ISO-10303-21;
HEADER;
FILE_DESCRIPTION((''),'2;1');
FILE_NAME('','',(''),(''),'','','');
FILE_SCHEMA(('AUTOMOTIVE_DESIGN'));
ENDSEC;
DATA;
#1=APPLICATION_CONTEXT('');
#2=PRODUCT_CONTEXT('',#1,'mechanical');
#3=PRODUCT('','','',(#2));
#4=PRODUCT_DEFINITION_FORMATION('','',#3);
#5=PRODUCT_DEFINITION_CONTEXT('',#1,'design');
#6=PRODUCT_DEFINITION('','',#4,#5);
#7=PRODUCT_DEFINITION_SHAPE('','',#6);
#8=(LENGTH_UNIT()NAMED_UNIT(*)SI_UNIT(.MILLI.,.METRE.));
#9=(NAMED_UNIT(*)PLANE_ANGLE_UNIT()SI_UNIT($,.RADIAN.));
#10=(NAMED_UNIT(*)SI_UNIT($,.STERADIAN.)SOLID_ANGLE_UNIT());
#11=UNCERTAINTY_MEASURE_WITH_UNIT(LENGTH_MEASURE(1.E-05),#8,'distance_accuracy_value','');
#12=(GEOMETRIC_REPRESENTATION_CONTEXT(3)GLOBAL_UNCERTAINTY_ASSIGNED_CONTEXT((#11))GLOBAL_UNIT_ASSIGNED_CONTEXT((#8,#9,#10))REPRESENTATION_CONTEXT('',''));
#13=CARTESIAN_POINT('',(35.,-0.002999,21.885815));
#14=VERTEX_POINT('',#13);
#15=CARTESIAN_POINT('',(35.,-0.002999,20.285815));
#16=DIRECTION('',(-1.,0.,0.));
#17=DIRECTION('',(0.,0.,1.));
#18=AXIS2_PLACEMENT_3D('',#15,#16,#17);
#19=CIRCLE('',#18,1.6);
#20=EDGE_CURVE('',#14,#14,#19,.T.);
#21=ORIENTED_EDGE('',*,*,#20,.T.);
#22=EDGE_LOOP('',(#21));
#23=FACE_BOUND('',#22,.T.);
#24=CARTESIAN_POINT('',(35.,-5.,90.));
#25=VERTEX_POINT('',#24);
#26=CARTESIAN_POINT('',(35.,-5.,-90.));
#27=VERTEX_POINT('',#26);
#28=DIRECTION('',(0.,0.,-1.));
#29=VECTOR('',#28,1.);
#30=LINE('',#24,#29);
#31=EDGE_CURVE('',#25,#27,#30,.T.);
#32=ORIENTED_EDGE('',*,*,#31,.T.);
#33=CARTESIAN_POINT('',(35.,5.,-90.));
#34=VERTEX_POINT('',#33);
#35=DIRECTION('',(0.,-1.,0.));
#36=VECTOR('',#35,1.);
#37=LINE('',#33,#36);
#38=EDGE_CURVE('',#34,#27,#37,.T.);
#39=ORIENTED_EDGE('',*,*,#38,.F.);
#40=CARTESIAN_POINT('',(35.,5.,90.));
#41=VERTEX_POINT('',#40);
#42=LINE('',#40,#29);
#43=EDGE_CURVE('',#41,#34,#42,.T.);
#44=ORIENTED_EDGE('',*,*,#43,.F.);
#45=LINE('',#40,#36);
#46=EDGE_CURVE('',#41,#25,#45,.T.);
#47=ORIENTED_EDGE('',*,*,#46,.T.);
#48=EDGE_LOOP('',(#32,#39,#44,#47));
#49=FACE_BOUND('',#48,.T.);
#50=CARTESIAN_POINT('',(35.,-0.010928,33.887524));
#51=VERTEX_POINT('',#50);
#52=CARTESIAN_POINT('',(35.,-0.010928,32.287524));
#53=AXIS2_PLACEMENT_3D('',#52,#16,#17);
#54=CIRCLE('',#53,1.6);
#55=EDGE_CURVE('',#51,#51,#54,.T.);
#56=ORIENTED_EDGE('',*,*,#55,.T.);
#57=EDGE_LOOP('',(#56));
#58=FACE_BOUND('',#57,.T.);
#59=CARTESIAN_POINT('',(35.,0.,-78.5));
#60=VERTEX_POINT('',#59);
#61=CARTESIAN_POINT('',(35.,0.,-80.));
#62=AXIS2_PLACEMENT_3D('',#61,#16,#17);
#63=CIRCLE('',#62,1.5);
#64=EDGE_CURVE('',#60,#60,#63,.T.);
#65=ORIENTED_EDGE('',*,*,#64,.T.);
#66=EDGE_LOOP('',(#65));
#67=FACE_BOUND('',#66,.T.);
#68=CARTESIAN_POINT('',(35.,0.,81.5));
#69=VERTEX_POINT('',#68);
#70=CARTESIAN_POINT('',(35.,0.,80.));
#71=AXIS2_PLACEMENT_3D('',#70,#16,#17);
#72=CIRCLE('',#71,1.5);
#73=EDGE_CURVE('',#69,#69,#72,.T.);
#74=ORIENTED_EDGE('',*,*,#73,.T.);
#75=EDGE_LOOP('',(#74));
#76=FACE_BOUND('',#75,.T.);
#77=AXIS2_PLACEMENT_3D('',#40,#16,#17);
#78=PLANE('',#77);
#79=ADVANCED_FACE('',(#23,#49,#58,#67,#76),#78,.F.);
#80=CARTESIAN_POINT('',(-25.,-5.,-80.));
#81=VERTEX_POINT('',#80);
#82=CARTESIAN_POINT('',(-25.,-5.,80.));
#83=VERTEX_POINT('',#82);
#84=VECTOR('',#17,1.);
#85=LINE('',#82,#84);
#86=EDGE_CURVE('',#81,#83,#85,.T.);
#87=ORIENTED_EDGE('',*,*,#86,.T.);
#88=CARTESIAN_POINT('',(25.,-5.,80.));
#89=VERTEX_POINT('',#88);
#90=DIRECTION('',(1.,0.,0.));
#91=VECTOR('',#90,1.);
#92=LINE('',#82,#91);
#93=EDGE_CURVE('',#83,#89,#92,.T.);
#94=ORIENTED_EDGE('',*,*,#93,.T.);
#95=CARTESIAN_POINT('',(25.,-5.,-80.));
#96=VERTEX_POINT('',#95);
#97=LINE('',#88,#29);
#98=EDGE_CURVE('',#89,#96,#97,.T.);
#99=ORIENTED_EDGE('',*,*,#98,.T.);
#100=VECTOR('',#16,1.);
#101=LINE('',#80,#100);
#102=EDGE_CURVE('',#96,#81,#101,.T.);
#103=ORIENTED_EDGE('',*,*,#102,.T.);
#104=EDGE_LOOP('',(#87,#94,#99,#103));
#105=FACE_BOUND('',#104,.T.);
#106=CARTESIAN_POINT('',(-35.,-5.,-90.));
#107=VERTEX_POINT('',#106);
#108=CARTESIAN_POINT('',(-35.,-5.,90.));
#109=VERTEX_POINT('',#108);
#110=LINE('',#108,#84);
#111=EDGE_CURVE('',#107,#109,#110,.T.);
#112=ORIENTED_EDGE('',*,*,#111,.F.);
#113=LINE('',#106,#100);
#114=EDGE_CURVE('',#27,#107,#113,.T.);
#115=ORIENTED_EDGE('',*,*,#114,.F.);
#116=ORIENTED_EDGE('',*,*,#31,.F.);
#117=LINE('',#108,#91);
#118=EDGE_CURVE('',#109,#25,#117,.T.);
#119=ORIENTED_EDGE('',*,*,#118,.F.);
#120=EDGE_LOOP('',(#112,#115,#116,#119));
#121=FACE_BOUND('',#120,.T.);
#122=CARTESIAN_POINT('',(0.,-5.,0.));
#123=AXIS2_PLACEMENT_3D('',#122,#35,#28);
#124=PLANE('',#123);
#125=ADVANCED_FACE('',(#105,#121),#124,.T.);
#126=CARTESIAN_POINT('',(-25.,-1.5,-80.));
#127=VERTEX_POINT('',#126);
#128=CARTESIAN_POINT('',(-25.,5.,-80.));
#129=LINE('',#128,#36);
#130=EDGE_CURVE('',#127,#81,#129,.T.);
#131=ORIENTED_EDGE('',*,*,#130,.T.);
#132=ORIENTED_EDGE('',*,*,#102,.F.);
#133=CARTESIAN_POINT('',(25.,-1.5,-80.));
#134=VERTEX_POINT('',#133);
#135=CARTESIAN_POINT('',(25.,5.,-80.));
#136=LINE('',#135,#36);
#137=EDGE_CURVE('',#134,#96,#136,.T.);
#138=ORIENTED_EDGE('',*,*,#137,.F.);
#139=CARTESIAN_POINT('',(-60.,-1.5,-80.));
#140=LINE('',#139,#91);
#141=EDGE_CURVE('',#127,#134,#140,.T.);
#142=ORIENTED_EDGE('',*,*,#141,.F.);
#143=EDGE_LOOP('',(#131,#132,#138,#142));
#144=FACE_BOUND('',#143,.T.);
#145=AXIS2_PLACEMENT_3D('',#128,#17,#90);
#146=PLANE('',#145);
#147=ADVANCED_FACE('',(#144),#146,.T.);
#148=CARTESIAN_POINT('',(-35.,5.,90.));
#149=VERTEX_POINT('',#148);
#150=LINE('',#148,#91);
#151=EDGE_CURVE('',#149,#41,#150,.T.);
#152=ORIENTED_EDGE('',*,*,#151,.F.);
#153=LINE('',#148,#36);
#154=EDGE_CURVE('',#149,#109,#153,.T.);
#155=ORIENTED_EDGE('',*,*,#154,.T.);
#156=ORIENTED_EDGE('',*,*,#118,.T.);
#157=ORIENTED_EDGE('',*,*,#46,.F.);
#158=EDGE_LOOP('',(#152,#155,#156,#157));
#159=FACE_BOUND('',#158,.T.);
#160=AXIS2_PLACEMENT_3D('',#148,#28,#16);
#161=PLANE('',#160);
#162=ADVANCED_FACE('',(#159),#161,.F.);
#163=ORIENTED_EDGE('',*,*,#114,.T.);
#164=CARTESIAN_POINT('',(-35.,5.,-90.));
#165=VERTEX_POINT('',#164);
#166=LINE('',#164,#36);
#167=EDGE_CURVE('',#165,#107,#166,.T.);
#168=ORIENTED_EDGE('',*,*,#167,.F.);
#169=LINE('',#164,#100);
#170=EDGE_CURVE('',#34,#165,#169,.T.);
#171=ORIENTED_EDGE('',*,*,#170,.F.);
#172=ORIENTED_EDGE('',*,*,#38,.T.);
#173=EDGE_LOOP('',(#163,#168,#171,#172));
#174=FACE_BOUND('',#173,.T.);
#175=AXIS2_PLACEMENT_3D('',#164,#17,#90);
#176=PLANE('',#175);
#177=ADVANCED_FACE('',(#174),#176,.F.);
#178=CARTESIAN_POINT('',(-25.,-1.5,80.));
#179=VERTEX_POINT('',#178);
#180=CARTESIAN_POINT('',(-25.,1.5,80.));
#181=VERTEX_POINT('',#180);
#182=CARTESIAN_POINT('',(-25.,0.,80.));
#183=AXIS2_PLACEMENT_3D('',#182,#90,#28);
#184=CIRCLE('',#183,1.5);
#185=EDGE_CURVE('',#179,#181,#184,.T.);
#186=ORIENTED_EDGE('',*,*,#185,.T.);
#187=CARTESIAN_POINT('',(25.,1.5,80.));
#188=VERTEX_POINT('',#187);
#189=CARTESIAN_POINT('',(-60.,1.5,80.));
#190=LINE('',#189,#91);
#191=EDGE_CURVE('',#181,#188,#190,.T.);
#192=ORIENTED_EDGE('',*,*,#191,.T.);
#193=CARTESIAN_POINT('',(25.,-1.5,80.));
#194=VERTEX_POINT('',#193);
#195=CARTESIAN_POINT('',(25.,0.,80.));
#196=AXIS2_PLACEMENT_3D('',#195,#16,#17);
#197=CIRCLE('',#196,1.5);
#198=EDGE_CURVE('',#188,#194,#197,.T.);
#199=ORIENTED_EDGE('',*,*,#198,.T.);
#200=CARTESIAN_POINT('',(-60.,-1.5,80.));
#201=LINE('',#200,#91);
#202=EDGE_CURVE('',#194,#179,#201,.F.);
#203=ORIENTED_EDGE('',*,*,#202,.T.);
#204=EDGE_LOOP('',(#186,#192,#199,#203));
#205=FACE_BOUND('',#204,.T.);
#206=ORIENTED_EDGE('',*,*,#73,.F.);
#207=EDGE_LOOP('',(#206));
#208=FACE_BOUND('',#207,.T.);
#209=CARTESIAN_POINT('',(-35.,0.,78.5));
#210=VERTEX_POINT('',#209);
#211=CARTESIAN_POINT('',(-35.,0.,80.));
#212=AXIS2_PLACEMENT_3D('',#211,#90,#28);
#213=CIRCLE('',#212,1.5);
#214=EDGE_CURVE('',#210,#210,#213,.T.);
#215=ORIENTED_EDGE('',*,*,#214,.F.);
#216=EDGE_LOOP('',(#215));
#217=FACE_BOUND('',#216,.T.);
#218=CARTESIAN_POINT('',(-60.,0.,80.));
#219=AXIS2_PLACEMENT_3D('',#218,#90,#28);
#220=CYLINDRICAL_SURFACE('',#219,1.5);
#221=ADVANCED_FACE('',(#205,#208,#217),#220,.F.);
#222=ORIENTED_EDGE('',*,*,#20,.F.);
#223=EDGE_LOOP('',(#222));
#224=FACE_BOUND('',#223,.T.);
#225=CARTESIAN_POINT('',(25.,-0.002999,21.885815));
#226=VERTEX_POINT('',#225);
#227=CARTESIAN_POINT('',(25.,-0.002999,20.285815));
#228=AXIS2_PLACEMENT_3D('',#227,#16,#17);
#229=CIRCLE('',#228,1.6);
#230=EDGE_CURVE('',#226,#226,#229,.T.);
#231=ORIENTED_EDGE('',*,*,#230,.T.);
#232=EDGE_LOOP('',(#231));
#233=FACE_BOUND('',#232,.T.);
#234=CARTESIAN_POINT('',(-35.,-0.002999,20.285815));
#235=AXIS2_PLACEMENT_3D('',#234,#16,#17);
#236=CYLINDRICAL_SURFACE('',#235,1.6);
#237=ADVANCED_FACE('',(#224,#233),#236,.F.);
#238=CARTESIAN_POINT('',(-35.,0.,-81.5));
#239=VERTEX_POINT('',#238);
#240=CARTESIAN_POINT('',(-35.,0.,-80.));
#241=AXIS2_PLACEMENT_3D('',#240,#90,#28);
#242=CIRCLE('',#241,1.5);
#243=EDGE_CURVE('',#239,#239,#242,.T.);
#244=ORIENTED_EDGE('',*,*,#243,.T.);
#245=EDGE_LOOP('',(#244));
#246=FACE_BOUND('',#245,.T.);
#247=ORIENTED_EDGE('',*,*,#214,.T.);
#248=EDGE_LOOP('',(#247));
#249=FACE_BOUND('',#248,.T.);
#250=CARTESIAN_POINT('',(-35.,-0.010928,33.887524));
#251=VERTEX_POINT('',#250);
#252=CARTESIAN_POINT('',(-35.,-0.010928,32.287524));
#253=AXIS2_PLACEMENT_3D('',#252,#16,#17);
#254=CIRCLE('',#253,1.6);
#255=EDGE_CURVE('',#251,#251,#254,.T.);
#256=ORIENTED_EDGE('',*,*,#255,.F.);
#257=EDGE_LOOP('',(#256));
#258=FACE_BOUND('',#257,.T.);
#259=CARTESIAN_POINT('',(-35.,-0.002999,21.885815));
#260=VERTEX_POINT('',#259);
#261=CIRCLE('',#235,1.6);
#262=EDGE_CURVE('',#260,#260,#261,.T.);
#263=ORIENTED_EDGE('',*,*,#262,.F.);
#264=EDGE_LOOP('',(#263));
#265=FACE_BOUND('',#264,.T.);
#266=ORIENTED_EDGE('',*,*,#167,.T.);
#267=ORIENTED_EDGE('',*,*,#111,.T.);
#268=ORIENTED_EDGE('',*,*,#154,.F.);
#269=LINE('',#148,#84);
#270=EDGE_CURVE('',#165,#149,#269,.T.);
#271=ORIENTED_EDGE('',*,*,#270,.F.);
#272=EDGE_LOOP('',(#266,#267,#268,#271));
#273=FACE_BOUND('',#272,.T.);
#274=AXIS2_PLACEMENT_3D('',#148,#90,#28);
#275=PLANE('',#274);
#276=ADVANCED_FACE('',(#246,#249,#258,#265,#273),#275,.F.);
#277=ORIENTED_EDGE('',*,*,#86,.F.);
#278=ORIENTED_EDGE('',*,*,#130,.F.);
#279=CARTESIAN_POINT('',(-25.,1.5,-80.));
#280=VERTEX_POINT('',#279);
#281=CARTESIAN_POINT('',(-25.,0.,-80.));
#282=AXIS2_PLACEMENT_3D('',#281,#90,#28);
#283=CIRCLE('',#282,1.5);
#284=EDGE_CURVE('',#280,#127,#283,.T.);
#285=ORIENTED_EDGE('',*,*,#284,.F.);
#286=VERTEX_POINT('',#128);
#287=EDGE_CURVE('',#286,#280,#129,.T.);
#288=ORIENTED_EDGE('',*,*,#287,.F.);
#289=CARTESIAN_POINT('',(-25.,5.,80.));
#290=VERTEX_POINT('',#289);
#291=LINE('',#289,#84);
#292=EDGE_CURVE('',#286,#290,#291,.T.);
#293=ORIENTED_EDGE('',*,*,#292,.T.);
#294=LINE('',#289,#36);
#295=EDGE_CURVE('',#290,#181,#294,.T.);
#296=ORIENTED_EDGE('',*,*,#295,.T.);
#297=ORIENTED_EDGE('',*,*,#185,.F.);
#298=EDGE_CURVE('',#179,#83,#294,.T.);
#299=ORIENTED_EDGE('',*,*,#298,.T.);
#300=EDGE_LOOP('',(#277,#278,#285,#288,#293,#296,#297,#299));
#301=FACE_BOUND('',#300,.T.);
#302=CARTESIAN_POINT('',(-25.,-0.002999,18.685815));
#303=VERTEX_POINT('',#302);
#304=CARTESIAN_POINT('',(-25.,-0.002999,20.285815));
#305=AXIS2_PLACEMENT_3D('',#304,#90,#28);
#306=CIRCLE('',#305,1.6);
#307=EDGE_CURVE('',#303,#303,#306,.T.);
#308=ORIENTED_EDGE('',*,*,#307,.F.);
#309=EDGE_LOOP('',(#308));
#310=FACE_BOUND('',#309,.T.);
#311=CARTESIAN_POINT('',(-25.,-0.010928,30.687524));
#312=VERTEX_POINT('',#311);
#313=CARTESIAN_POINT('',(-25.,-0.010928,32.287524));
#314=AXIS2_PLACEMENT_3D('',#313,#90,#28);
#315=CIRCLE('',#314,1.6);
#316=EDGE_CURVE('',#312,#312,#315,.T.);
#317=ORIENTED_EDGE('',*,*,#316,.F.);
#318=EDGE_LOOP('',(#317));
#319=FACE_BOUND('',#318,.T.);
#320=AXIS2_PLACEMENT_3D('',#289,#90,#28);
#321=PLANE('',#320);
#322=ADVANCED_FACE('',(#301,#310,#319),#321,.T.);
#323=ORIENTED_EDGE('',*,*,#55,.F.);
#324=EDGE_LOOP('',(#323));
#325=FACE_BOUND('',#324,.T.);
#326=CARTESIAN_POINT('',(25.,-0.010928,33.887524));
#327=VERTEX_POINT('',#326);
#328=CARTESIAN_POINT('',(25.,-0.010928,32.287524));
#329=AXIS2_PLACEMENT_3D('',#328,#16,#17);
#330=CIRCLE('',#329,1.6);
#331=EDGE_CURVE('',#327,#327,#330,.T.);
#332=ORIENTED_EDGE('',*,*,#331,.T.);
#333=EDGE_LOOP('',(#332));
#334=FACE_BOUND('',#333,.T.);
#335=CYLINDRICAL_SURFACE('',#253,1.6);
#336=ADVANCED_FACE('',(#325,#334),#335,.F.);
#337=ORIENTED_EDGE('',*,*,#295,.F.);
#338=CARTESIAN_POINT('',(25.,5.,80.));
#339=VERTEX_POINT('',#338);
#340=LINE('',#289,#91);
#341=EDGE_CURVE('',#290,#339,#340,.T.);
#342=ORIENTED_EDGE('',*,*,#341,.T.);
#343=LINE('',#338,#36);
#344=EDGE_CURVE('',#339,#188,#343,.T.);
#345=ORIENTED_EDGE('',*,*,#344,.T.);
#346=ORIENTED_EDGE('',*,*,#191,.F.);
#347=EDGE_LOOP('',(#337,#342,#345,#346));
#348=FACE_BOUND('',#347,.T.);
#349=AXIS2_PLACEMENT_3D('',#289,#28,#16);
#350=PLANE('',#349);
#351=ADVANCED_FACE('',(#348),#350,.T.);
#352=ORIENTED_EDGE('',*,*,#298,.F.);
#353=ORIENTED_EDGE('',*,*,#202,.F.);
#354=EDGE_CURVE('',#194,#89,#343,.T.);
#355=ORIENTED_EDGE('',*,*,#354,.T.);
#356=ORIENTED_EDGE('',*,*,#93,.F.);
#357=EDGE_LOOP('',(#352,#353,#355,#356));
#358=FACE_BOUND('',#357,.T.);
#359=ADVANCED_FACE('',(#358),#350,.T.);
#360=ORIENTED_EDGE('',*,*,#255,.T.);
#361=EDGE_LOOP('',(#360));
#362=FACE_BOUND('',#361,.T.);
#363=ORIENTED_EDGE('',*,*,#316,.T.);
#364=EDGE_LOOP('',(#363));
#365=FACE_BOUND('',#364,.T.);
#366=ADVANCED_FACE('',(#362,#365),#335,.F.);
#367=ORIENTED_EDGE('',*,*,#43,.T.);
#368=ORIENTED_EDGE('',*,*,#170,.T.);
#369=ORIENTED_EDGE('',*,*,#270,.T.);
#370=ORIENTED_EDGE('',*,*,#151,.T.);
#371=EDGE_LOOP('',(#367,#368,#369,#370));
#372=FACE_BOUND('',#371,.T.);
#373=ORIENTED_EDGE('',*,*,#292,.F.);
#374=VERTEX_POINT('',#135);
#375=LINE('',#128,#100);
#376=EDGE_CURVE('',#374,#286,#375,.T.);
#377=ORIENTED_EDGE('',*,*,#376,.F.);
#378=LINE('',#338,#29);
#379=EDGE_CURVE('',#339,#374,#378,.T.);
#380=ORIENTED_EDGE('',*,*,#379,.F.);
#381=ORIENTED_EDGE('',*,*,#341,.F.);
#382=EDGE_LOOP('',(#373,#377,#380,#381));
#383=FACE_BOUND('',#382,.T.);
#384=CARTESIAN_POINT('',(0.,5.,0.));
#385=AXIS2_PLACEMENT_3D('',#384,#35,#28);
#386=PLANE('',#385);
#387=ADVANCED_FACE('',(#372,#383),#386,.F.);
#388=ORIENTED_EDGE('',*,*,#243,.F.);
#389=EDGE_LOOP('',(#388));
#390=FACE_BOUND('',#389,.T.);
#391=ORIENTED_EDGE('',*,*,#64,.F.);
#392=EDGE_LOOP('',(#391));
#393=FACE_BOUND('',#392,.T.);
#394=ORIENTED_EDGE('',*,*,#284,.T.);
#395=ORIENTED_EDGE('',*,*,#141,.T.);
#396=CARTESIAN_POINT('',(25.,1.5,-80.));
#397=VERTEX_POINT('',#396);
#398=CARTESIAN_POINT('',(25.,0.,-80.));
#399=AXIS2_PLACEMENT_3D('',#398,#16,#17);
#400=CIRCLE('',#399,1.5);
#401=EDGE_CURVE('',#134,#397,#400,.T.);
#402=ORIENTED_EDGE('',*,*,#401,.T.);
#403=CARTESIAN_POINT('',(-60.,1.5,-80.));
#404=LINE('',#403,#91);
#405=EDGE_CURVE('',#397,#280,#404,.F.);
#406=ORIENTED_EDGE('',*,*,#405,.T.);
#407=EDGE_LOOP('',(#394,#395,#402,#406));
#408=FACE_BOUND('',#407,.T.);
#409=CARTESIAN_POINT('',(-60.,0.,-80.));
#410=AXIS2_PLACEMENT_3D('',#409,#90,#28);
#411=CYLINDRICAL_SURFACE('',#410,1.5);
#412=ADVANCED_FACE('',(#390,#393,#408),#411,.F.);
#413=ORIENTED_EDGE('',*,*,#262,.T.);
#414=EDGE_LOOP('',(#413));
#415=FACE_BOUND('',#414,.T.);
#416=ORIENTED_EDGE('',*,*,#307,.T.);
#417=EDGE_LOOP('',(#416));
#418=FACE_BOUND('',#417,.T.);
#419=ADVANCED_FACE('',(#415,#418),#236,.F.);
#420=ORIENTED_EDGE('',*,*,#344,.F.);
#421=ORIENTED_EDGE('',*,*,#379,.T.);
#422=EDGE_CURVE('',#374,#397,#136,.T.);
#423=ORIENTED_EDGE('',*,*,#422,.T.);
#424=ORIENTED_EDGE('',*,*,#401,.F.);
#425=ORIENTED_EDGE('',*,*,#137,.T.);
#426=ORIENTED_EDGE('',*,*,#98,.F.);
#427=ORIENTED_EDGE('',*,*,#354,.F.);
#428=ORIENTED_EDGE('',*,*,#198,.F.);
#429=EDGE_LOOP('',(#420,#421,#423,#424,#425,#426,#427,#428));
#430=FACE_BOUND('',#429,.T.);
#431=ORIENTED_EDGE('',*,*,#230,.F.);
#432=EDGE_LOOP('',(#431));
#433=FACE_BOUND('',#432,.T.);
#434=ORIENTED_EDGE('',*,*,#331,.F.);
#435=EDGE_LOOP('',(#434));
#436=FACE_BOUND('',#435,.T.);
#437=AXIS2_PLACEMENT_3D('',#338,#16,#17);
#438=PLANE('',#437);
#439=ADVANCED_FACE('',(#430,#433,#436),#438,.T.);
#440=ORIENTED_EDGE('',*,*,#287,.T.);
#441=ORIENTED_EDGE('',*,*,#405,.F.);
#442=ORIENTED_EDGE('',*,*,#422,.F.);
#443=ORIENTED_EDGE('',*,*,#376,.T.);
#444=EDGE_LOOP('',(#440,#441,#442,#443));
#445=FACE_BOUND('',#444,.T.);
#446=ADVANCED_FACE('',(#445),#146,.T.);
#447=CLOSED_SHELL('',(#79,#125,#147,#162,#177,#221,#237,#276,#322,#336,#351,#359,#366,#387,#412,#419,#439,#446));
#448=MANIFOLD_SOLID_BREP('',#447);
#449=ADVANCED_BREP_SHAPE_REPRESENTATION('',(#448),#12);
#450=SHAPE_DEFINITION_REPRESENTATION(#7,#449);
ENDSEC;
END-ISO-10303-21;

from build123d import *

# Parameters (mm, degrees)
CROQUIS1_W                   = 70
CROQUIS1_H                   = 180
CROQUIS1_W_2                 = 50
CROQUIS1_H_2                 = 160
SALIENTE_EXTRUIR1_DEPTH      = 5
CROQUIS2_R                   = 1.5
CORTAR_EXTRUIR1_DEPTH        = 60
TALADRO_DE_MARGEN_PARA_M31_D = 3.2


with BuildPart() as part:
    # Croquis1 → Saliente-Extruir1 (new, symmetric)
    with BuildSketch(Plane(origin=(0, 0, 0), x_dir=(1, 0, 0), z_dir=(0, 1, 0))):
        Rectangle(CROQUIS1_W, CROQUIS1_H)
        Rectangle(CROQUIS1_W_2, CROQUIS1_H_2, mode=Mode.SUBTRACT)
    extrude(amount=SALIENTE_EXTRUIR1_DEPTH, both=True)

    # Croquis2 → Cortar-Extruir1 (cut, symmetric)
    with BuildSketch(Plane(origin=(0, 0, 0), x_dir=(0, 0, -1), z_dir=(1, 0, 0))):
        with Locations((-80, 0)):
            Circle(CROQUIS2_R)
        with Locations((80, 0)):
            Circle(CROQUIS2_R)
    extrude(amount=CORTAR_EXTRUIR1_DEPTH, both=True, mode=Mode.SUBTRACT)

    # Taladro de margen para M31 (through all)
    with Locations(Plane(origin=(-35, -0.010928271, 32.287523851), x_dir=(0, 0, -1), z_dir=(-1, 0, 0))):
        with Locations((0, 0), (12.001709214, -0.007929279)):
            Hole(TALADRO_DE_MARGEN_PARA_M31_D / 2)


solid = part.part
